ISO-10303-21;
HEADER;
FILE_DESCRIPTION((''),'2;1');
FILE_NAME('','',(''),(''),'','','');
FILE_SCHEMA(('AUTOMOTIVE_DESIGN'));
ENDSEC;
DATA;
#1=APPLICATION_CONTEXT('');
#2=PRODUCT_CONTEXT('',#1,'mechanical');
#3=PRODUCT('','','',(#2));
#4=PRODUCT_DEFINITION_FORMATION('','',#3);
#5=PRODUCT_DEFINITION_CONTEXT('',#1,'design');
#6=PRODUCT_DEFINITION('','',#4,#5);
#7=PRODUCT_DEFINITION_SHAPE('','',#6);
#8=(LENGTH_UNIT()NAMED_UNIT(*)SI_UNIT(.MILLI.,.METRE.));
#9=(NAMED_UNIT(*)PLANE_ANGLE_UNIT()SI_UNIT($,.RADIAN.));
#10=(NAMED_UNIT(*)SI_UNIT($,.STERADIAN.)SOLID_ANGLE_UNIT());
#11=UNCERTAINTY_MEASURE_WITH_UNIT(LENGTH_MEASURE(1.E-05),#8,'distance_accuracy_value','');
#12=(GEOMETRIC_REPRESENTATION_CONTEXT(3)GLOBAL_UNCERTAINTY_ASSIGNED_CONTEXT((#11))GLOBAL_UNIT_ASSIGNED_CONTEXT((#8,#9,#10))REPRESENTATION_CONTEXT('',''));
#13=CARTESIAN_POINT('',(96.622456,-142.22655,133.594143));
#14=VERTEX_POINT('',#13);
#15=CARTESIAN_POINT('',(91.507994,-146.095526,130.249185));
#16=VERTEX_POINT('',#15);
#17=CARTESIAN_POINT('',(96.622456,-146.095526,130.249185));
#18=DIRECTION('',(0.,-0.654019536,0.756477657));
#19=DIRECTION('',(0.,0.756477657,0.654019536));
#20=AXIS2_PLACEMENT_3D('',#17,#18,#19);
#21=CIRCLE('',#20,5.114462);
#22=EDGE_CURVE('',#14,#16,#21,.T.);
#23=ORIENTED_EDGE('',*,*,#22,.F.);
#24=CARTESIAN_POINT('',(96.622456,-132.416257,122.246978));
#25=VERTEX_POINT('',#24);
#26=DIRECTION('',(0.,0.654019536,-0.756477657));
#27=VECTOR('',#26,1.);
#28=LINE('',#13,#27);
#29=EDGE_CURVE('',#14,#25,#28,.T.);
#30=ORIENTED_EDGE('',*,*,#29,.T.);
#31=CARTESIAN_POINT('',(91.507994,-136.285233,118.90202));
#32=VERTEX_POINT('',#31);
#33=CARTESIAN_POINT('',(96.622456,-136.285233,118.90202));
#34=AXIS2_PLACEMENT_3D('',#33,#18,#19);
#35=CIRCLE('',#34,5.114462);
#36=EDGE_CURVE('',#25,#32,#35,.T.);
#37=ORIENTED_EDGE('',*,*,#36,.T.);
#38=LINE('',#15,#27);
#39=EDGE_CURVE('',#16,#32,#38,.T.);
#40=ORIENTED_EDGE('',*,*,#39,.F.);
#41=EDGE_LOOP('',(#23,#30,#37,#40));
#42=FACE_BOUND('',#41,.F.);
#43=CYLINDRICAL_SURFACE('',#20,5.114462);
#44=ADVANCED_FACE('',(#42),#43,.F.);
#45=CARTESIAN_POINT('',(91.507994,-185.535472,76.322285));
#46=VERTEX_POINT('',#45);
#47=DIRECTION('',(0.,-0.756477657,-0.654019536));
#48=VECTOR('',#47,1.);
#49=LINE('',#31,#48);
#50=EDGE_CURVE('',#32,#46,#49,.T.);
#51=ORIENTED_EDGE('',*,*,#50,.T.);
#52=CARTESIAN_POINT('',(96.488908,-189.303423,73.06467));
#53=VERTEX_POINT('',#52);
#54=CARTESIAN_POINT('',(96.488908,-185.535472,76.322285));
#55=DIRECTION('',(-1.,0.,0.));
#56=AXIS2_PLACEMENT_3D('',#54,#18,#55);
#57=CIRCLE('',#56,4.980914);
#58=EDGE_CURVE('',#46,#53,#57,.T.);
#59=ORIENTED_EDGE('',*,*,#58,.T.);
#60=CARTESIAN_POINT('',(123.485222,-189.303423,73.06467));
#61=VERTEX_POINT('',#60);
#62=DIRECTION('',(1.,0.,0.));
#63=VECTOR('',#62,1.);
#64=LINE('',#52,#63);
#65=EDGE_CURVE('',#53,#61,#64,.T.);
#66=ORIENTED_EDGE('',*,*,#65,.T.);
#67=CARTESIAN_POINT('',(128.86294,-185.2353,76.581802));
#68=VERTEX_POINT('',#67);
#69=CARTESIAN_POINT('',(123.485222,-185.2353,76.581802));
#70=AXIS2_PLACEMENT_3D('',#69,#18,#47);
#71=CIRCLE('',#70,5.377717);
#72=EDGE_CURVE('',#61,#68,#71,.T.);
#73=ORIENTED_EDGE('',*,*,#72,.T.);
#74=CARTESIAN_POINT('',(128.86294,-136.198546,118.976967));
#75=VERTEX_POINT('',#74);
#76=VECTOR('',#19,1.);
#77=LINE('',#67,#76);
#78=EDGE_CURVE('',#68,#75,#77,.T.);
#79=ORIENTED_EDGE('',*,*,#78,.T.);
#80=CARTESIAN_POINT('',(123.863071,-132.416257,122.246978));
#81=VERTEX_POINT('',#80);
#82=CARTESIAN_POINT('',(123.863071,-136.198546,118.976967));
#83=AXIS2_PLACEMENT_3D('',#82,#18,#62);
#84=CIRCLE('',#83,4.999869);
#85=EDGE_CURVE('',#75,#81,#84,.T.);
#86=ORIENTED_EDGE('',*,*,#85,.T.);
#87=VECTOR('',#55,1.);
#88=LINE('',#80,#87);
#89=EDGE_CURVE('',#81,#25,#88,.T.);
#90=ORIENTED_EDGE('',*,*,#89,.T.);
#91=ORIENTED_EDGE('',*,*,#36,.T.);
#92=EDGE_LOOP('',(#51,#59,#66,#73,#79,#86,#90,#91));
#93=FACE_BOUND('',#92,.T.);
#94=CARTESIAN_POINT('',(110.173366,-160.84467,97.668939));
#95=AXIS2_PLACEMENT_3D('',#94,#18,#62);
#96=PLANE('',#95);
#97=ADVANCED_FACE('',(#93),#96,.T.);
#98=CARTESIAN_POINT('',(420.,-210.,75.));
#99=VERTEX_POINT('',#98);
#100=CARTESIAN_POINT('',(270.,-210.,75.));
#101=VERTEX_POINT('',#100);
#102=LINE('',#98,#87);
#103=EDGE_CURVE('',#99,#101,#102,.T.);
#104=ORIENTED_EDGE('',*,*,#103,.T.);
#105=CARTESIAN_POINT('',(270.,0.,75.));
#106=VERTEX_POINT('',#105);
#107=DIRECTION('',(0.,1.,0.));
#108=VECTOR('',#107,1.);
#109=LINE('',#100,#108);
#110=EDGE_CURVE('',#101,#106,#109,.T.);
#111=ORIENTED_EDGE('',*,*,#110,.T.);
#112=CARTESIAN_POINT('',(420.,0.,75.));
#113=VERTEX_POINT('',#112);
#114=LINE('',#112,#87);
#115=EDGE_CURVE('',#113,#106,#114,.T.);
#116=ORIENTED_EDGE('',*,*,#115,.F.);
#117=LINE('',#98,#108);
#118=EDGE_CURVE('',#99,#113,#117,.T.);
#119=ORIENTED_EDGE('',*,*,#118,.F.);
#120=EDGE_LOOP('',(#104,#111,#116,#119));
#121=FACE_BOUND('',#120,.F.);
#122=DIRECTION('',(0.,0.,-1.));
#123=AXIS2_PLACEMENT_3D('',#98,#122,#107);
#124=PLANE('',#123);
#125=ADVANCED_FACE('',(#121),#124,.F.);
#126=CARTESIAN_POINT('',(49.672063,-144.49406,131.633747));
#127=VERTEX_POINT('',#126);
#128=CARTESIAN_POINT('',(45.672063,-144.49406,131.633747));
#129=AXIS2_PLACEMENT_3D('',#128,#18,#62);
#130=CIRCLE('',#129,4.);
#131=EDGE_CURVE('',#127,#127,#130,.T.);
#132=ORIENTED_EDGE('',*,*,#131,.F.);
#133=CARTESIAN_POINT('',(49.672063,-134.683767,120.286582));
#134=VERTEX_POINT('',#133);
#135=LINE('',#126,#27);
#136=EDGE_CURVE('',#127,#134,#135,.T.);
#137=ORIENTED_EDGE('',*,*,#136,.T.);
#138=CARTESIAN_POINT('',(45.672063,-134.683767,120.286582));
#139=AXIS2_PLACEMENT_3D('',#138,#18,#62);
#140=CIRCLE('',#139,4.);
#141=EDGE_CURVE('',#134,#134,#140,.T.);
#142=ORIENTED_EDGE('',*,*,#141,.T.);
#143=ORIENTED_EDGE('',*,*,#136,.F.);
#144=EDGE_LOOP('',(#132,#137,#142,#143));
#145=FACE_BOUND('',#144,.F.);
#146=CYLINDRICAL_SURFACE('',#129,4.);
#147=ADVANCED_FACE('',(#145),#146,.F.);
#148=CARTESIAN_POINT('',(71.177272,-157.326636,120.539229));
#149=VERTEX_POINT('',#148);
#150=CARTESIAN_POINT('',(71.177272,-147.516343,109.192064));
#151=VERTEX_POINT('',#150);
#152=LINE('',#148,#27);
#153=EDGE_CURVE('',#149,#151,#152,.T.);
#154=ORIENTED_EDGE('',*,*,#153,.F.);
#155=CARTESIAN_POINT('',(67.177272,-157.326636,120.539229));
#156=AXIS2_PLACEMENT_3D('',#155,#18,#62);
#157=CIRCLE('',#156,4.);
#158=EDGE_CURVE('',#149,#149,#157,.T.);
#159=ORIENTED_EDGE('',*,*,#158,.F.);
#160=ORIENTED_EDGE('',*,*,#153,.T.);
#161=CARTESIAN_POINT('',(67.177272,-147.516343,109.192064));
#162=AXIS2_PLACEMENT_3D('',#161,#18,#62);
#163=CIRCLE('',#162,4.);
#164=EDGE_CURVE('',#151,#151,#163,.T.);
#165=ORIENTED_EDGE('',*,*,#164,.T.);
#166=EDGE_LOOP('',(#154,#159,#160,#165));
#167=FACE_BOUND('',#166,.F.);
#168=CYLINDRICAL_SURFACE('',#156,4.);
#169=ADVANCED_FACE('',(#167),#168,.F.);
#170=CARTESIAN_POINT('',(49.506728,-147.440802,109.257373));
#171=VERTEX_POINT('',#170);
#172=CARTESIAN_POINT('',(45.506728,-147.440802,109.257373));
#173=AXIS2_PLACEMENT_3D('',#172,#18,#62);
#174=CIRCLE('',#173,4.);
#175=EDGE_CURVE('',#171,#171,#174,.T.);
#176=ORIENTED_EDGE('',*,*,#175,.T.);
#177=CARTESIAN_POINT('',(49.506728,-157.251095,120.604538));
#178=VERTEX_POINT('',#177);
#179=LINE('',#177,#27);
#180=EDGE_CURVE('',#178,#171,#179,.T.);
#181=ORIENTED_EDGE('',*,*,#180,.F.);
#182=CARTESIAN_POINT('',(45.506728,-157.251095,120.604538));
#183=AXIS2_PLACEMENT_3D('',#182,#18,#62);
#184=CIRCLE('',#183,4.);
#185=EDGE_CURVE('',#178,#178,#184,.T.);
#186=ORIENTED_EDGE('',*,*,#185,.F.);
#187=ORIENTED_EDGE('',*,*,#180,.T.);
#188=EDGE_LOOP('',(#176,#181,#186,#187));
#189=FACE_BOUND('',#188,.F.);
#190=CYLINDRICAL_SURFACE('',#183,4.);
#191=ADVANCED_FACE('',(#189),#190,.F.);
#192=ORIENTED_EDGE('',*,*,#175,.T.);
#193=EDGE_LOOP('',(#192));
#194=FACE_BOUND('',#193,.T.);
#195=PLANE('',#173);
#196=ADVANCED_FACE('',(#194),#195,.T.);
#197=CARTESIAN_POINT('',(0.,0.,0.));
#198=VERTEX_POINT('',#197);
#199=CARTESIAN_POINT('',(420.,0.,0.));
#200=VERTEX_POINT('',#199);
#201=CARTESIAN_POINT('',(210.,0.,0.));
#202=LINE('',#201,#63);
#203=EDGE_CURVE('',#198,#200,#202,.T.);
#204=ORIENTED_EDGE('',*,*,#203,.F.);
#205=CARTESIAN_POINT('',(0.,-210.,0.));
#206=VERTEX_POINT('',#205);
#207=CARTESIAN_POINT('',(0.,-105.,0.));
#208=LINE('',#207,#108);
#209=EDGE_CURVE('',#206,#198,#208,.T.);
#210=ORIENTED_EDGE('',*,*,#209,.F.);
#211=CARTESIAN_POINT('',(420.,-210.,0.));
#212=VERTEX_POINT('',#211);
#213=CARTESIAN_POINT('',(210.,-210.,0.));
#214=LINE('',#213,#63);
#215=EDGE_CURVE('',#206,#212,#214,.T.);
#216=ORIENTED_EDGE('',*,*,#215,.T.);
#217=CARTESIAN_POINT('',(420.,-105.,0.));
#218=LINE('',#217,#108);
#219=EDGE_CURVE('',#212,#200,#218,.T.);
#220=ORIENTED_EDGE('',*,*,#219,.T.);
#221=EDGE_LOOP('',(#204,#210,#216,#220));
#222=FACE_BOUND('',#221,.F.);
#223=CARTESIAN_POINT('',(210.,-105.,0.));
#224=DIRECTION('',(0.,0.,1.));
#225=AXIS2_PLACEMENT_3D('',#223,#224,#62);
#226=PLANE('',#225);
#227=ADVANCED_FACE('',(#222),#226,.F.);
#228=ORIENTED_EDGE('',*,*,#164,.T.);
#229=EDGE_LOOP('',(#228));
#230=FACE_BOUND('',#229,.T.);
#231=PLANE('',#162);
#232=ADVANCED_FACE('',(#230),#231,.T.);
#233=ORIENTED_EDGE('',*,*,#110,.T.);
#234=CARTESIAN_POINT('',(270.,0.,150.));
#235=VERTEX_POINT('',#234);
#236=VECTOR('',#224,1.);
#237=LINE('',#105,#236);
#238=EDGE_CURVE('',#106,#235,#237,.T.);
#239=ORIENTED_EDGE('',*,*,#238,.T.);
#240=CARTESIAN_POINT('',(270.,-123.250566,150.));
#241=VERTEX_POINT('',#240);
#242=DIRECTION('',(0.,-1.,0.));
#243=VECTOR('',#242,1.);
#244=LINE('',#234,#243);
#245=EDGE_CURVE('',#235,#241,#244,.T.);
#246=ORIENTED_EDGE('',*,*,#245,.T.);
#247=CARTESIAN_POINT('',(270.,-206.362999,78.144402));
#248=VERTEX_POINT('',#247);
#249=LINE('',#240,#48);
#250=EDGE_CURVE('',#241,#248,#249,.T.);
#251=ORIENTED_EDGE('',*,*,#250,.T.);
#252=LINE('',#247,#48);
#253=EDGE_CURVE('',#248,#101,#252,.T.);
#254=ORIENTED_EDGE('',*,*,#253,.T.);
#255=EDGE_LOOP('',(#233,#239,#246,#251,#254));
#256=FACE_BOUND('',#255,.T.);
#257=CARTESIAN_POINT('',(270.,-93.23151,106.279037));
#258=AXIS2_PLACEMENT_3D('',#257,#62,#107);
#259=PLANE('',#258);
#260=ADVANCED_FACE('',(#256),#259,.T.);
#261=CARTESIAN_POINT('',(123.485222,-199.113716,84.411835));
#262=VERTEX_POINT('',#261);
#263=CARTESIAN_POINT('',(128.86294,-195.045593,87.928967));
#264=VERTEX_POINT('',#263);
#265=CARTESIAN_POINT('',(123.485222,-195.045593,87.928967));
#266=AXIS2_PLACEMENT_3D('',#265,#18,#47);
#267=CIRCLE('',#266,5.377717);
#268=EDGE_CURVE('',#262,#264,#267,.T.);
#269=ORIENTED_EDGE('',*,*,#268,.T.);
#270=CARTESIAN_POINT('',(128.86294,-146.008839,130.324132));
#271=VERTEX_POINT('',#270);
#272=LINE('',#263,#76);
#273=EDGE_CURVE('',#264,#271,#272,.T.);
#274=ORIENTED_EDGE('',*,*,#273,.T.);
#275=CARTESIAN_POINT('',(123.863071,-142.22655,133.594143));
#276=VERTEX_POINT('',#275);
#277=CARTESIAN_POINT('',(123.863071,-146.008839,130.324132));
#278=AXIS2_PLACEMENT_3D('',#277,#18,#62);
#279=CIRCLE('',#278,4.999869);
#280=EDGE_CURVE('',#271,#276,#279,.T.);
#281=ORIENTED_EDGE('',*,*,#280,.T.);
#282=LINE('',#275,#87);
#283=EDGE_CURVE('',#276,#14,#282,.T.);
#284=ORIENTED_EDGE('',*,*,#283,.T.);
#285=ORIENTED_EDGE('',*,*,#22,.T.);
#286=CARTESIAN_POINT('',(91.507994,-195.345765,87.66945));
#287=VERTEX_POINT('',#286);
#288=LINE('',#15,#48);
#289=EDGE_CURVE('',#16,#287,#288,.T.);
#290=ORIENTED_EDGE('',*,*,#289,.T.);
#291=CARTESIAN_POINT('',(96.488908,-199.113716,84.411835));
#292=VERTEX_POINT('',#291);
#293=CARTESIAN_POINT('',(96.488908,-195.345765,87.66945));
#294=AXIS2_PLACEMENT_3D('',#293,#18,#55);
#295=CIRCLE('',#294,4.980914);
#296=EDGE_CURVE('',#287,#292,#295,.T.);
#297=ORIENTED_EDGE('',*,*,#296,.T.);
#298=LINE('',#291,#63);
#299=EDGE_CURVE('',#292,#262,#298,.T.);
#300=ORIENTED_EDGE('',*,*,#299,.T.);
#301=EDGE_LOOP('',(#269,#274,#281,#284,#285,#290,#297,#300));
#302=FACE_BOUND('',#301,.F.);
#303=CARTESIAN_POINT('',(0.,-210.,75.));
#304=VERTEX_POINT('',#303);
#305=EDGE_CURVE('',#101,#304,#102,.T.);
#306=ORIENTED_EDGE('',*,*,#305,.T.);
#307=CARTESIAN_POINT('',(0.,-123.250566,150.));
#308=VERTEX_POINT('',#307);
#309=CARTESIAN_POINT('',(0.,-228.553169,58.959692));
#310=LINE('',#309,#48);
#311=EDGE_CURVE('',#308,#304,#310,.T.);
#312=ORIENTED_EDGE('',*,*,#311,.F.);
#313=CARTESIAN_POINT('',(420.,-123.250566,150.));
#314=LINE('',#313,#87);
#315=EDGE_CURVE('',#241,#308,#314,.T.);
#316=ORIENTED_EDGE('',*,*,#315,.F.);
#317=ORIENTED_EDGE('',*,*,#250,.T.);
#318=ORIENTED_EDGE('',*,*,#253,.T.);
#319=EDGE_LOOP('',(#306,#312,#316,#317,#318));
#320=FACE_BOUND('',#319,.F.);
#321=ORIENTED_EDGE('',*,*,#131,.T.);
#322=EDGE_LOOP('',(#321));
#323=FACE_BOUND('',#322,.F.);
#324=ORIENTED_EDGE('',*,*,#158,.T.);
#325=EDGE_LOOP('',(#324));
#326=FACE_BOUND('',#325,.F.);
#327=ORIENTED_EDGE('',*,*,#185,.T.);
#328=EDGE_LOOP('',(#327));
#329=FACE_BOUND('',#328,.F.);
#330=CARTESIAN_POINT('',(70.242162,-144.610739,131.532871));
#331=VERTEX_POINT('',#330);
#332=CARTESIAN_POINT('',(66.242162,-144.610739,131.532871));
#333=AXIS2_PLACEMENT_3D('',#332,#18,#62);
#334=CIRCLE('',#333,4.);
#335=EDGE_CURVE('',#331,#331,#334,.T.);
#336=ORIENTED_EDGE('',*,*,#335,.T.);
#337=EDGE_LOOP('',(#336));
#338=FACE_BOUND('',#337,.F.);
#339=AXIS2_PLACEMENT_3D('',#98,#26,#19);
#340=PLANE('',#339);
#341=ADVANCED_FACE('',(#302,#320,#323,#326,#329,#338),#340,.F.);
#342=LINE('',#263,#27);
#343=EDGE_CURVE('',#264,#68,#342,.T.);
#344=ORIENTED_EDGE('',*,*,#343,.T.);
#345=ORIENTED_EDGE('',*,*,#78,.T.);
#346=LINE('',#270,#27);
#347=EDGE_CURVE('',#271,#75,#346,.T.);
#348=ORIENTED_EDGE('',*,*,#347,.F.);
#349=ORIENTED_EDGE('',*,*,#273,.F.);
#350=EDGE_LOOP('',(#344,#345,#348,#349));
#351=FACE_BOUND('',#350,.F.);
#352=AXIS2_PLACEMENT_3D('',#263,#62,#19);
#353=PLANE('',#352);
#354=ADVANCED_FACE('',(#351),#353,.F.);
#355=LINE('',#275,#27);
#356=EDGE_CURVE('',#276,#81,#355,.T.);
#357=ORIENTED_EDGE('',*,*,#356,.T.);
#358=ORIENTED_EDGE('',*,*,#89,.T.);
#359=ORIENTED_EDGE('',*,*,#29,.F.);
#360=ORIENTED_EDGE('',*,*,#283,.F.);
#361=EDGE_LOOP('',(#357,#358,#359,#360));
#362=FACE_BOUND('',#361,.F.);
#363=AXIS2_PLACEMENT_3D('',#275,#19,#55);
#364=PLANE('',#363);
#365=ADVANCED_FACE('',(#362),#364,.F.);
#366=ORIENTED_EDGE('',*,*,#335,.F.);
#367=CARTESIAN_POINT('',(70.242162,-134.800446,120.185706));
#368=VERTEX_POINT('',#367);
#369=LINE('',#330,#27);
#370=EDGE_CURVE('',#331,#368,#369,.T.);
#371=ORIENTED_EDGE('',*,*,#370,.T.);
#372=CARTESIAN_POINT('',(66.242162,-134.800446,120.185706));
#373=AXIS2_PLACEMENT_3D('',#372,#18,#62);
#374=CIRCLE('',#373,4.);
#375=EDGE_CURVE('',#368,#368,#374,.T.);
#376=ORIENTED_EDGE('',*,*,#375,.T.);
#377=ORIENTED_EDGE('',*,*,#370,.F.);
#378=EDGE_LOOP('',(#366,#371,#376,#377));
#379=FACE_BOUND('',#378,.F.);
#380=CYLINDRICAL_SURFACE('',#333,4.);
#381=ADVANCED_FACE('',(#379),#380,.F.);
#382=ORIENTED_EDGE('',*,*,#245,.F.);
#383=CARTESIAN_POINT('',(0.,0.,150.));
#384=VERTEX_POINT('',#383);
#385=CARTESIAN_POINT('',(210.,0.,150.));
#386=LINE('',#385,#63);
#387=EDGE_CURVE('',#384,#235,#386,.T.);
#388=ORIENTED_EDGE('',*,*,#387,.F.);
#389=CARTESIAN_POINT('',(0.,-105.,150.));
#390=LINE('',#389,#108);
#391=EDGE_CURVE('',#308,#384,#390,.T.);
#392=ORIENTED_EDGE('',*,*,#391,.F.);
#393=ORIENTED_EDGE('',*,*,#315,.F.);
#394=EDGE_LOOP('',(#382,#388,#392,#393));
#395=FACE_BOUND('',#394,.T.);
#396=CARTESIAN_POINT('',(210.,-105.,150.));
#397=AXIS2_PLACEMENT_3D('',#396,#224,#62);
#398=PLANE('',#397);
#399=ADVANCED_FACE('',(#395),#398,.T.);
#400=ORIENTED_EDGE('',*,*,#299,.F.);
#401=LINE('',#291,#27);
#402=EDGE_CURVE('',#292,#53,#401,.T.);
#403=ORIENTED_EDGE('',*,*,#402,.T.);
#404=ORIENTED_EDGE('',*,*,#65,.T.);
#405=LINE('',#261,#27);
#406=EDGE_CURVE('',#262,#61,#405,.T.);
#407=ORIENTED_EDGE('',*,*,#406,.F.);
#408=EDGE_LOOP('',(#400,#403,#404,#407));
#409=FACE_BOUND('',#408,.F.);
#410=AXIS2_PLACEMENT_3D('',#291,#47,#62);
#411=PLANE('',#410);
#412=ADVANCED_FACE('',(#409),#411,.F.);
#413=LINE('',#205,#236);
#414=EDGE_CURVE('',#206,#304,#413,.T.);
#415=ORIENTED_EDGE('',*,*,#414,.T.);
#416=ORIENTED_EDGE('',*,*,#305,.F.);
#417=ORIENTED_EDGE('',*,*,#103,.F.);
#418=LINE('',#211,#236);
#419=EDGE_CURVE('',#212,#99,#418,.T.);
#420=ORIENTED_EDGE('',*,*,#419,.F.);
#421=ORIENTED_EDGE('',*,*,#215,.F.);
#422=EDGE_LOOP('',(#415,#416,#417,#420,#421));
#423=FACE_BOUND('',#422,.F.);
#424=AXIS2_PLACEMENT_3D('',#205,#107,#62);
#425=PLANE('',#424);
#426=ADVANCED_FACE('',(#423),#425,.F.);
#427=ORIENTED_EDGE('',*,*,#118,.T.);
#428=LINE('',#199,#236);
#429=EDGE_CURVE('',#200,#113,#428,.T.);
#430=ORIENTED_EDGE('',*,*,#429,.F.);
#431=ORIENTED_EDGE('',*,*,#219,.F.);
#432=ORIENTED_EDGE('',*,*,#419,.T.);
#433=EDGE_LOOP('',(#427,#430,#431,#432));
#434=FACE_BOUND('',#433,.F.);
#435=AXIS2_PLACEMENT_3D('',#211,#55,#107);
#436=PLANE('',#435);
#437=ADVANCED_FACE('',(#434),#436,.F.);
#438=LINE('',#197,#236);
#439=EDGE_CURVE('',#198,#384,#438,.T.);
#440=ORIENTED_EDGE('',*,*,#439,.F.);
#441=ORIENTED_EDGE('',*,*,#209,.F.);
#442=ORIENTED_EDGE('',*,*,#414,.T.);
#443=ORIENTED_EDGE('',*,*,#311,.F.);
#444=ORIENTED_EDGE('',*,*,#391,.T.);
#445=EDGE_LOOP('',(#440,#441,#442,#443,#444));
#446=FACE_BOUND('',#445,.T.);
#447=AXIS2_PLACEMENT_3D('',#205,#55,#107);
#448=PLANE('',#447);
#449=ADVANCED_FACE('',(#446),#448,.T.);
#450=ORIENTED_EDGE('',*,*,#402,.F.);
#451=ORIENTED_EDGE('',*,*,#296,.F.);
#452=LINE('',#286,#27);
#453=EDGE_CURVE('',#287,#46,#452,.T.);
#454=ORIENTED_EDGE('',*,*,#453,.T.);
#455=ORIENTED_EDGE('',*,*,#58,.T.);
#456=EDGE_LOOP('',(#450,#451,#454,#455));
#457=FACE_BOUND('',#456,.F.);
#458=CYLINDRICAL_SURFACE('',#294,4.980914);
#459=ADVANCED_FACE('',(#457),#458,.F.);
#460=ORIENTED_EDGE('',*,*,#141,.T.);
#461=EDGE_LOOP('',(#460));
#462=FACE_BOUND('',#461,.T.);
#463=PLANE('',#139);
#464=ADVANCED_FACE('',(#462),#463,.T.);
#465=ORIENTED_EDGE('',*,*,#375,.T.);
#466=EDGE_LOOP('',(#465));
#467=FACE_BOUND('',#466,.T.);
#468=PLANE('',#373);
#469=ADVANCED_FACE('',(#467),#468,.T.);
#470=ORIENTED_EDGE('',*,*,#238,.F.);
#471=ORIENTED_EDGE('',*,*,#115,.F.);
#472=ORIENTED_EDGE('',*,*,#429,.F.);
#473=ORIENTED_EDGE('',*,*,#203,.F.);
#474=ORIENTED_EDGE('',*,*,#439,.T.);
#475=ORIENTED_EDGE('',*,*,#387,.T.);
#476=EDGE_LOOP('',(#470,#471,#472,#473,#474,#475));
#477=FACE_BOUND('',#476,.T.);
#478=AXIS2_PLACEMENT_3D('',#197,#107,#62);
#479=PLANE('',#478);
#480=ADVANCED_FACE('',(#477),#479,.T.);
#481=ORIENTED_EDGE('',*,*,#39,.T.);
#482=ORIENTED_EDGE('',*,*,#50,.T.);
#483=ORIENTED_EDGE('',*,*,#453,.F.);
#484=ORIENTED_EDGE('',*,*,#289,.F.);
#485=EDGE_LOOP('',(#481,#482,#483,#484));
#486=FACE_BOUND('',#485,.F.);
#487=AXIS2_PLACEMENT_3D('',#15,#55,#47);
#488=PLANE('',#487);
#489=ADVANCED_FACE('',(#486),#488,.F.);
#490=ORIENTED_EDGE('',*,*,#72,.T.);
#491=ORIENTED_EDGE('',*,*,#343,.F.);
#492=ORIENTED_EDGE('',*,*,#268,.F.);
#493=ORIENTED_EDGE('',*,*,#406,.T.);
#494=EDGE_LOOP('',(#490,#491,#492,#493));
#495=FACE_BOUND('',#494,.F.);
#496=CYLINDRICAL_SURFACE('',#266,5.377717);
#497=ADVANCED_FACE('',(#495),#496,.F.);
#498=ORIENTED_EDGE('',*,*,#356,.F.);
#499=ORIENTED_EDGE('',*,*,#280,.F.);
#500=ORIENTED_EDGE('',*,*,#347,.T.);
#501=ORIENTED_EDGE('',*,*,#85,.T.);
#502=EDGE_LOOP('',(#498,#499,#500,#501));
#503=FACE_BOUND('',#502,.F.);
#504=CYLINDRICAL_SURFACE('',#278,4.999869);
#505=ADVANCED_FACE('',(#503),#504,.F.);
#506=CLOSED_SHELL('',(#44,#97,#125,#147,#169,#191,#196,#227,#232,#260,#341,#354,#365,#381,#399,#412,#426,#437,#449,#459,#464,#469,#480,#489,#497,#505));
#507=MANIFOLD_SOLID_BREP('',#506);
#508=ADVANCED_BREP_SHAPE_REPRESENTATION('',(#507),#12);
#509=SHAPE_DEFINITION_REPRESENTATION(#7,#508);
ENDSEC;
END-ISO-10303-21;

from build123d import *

# Parameters (mm, degrees)
F0_W     = 420
F0_H     = 210
F1_DEPTH = 150
F3_DEPTH = 420.001
F4_R     = 4
F5_DEPTH = 15
F7_DEPTH = 150


with BuildPart() as f1:
    # F0 (on Top) → F1 (new body)
    with BuildSketch(Plane.XY):
        with Locations((210, -105)):
            Rectangle(F0_W, F0_H)
    extrude(amount=F1_DEPTH)

    # F2 (on face) → F3 (cut, through all)
    with BuildSketch(Plane.YZ.offset(420)):
        Polygon((-210, 150), (-210, 75), (-123.2505664229, 150), align=None)
    extrude(amount=-F3_DEPTH, mode=Mode.SUBTRACT)

    # F4 (on face) → F5 (cut)
    with BuildSketch(Plane(origin=(0, -126.9320637805, 146.8171284764), x_dir=(1, 0, 0), z_dir=(0, -0.6540195362, 0.7564776575))):
        with Locations((45.6720627844, -23.2154857367)):
            Circle(F4_R)
        with Locations((66.2421623061, -23.3697257936)):
            Circle(F4_R)
        with Locations((67.1772722169, -40.1790748625)):
            Circle(F4_R)
        with Locations((45.5067284684, -40.0792160809)):
            Circle(F4_R)
        with BuildLine():
            Line((123.8630712032, -20.2180277556), (96.6224558651, -20.2180277556))
            ThreePointArc((96.6224558651, -20.2180277556), (93.0059849426, -21.7160190597), (91.5079936385, -25.3324899822))
            Line((91.5079936385, -25.3324899822), (91.5079936385, -90.4371738434))
            ThreePointArc((91.5079936385, -90.4371738434), (92.9668696589, -93.9592121177), (96.4889079332, -95.4180881381))
            Line((96.4889079332, -95.4180881381), (123.4852224588, -95.4180881381))
            ThreePointArc((123.4852224588, -95.4180881381), (127.2878428404, -93.8429912035), (128.862939775, -90.040370822))
            Line((128.862939775, -90.040370822), (128.862939775, -25.2178963274))
            ThreePointArc((128.862939775, -25.2178963274), (127.3985121754, -21.6824553552), (123.8630712032, -20.2180277556))
        make_face()
    extrude(amount=-F5_DEPTH, mode=Mode.SUBTRACT)

    # F6 (on face) → F7 (cut)
    with BuildSketch(Plane.YZ.offset(420)):
        Polygon((-206.3629985005, 78.1444022308), (-210, 75), (0, 75), (0, 150), (-123.2505664229, 150), align=None)
    extrude(amount=-F7_DEPTH, mode=Mode.SUBTRACT)


solid = f1.part
